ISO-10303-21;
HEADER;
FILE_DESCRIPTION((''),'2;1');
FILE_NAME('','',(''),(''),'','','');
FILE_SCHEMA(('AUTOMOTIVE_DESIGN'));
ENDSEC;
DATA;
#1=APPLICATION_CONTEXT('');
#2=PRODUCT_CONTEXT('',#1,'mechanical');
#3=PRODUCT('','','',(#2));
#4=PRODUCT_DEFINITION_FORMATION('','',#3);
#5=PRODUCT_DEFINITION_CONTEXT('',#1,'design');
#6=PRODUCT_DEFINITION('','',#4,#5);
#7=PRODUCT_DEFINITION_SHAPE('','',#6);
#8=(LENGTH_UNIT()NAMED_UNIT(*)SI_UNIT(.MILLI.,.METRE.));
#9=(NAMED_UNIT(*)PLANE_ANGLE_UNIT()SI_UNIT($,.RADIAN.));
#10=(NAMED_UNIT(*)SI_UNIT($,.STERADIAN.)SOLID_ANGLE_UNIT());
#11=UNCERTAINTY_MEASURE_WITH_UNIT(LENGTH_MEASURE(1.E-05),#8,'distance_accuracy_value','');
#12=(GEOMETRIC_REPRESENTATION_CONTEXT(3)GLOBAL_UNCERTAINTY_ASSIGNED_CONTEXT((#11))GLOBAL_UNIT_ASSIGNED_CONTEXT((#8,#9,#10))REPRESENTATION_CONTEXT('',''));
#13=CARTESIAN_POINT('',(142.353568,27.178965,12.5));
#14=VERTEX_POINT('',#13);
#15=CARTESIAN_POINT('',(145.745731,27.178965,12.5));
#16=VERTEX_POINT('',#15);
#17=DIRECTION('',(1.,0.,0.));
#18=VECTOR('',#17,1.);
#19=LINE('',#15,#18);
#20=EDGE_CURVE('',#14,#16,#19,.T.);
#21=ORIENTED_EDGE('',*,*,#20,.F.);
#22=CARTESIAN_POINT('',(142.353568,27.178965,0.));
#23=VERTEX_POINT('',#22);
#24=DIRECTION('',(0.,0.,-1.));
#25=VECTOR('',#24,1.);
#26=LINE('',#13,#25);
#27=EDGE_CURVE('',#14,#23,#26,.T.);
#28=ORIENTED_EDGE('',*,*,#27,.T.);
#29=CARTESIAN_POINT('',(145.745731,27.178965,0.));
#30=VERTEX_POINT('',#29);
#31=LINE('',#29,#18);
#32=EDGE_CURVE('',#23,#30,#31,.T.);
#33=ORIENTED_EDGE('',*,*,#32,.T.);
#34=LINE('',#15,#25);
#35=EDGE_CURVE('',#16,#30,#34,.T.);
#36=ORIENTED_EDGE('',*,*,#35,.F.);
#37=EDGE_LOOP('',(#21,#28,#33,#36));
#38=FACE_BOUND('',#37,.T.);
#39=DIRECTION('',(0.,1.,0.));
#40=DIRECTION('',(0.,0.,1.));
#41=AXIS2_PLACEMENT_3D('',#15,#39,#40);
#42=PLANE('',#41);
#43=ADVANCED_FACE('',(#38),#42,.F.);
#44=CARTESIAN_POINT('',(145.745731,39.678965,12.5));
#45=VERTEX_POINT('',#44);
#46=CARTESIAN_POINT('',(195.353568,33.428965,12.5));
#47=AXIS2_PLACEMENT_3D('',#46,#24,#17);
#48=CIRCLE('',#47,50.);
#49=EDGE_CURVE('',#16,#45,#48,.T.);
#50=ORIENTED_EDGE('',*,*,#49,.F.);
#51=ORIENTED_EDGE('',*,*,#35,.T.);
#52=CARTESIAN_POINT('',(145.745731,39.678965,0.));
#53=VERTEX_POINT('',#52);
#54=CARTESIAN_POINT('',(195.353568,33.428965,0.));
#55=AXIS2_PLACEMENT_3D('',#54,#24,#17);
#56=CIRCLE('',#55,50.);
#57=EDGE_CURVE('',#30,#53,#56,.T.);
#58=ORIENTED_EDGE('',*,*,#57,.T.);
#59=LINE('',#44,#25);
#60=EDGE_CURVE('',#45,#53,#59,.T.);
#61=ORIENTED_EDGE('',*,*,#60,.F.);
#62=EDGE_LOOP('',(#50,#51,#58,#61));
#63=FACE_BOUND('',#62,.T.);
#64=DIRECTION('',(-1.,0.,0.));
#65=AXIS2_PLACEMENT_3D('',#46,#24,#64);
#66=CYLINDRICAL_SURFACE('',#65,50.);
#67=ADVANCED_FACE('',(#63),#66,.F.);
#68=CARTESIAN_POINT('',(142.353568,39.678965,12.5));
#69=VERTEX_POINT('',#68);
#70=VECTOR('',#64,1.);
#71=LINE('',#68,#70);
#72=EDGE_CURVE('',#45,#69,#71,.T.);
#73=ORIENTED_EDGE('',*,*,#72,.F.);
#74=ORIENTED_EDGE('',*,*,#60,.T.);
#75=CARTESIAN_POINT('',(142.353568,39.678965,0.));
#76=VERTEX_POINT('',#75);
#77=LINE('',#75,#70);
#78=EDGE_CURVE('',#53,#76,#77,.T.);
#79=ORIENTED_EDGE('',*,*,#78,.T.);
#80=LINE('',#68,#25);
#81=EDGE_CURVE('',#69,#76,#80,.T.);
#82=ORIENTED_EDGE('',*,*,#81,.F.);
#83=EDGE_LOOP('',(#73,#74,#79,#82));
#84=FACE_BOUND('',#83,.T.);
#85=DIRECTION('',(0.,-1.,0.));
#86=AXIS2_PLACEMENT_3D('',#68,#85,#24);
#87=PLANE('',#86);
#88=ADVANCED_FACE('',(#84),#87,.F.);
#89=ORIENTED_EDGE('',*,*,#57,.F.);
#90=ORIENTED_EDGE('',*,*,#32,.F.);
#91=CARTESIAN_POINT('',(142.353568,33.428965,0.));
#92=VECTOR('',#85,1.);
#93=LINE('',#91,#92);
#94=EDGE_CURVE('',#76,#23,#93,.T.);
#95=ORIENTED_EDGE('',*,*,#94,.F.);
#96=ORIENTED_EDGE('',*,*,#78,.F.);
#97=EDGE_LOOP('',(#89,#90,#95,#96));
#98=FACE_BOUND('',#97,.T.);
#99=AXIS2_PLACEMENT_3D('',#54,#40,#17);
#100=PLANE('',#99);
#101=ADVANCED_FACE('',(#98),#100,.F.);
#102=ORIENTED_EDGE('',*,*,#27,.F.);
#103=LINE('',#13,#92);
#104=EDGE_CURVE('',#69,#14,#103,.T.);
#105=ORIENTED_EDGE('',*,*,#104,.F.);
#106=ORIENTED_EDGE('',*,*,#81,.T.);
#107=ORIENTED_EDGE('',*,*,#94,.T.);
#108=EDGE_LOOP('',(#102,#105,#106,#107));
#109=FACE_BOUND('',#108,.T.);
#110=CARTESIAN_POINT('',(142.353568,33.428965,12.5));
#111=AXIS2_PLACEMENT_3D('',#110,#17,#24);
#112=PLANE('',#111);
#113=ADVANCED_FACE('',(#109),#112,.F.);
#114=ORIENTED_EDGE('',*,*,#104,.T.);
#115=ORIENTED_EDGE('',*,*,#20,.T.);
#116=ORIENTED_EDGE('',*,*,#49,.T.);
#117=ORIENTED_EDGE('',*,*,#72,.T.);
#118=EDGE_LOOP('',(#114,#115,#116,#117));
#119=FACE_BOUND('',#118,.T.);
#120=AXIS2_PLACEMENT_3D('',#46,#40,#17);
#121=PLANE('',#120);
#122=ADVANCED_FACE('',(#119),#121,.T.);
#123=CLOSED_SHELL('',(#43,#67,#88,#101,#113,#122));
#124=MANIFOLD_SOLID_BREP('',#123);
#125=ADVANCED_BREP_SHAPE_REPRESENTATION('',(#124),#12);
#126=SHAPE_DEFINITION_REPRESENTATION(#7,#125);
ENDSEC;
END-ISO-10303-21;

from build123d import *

# Parameters (mm, degrees)
EXTRUDE_1_DEPTH = 12.5


with BuildPart() as part:
    # 草图1 → 凸台-拉伸1 (new body)
    with BuildSketch(Plane.XY):
        with BuildLine():
            Line((142.353567816, 33.428964634), (142.353567816, 39.678964634))
            Line((142.353567816, 39.678964634), (145.745730748, 39.678964634))
            ThreePointArc((145.745730748, 39.678964634), (145.353567831, 33.428964634), (145.745730748, 27.178964634))
            Line((145.745730748, 27.178964634), (142.353567816, 27.178964634))
            Line((142.353567816, 27.178964634), (142.353567816, 33.428964634))
        make_face()
    extrude(amount=EXTRUDE_1_DEPTH)


solid = part.part
